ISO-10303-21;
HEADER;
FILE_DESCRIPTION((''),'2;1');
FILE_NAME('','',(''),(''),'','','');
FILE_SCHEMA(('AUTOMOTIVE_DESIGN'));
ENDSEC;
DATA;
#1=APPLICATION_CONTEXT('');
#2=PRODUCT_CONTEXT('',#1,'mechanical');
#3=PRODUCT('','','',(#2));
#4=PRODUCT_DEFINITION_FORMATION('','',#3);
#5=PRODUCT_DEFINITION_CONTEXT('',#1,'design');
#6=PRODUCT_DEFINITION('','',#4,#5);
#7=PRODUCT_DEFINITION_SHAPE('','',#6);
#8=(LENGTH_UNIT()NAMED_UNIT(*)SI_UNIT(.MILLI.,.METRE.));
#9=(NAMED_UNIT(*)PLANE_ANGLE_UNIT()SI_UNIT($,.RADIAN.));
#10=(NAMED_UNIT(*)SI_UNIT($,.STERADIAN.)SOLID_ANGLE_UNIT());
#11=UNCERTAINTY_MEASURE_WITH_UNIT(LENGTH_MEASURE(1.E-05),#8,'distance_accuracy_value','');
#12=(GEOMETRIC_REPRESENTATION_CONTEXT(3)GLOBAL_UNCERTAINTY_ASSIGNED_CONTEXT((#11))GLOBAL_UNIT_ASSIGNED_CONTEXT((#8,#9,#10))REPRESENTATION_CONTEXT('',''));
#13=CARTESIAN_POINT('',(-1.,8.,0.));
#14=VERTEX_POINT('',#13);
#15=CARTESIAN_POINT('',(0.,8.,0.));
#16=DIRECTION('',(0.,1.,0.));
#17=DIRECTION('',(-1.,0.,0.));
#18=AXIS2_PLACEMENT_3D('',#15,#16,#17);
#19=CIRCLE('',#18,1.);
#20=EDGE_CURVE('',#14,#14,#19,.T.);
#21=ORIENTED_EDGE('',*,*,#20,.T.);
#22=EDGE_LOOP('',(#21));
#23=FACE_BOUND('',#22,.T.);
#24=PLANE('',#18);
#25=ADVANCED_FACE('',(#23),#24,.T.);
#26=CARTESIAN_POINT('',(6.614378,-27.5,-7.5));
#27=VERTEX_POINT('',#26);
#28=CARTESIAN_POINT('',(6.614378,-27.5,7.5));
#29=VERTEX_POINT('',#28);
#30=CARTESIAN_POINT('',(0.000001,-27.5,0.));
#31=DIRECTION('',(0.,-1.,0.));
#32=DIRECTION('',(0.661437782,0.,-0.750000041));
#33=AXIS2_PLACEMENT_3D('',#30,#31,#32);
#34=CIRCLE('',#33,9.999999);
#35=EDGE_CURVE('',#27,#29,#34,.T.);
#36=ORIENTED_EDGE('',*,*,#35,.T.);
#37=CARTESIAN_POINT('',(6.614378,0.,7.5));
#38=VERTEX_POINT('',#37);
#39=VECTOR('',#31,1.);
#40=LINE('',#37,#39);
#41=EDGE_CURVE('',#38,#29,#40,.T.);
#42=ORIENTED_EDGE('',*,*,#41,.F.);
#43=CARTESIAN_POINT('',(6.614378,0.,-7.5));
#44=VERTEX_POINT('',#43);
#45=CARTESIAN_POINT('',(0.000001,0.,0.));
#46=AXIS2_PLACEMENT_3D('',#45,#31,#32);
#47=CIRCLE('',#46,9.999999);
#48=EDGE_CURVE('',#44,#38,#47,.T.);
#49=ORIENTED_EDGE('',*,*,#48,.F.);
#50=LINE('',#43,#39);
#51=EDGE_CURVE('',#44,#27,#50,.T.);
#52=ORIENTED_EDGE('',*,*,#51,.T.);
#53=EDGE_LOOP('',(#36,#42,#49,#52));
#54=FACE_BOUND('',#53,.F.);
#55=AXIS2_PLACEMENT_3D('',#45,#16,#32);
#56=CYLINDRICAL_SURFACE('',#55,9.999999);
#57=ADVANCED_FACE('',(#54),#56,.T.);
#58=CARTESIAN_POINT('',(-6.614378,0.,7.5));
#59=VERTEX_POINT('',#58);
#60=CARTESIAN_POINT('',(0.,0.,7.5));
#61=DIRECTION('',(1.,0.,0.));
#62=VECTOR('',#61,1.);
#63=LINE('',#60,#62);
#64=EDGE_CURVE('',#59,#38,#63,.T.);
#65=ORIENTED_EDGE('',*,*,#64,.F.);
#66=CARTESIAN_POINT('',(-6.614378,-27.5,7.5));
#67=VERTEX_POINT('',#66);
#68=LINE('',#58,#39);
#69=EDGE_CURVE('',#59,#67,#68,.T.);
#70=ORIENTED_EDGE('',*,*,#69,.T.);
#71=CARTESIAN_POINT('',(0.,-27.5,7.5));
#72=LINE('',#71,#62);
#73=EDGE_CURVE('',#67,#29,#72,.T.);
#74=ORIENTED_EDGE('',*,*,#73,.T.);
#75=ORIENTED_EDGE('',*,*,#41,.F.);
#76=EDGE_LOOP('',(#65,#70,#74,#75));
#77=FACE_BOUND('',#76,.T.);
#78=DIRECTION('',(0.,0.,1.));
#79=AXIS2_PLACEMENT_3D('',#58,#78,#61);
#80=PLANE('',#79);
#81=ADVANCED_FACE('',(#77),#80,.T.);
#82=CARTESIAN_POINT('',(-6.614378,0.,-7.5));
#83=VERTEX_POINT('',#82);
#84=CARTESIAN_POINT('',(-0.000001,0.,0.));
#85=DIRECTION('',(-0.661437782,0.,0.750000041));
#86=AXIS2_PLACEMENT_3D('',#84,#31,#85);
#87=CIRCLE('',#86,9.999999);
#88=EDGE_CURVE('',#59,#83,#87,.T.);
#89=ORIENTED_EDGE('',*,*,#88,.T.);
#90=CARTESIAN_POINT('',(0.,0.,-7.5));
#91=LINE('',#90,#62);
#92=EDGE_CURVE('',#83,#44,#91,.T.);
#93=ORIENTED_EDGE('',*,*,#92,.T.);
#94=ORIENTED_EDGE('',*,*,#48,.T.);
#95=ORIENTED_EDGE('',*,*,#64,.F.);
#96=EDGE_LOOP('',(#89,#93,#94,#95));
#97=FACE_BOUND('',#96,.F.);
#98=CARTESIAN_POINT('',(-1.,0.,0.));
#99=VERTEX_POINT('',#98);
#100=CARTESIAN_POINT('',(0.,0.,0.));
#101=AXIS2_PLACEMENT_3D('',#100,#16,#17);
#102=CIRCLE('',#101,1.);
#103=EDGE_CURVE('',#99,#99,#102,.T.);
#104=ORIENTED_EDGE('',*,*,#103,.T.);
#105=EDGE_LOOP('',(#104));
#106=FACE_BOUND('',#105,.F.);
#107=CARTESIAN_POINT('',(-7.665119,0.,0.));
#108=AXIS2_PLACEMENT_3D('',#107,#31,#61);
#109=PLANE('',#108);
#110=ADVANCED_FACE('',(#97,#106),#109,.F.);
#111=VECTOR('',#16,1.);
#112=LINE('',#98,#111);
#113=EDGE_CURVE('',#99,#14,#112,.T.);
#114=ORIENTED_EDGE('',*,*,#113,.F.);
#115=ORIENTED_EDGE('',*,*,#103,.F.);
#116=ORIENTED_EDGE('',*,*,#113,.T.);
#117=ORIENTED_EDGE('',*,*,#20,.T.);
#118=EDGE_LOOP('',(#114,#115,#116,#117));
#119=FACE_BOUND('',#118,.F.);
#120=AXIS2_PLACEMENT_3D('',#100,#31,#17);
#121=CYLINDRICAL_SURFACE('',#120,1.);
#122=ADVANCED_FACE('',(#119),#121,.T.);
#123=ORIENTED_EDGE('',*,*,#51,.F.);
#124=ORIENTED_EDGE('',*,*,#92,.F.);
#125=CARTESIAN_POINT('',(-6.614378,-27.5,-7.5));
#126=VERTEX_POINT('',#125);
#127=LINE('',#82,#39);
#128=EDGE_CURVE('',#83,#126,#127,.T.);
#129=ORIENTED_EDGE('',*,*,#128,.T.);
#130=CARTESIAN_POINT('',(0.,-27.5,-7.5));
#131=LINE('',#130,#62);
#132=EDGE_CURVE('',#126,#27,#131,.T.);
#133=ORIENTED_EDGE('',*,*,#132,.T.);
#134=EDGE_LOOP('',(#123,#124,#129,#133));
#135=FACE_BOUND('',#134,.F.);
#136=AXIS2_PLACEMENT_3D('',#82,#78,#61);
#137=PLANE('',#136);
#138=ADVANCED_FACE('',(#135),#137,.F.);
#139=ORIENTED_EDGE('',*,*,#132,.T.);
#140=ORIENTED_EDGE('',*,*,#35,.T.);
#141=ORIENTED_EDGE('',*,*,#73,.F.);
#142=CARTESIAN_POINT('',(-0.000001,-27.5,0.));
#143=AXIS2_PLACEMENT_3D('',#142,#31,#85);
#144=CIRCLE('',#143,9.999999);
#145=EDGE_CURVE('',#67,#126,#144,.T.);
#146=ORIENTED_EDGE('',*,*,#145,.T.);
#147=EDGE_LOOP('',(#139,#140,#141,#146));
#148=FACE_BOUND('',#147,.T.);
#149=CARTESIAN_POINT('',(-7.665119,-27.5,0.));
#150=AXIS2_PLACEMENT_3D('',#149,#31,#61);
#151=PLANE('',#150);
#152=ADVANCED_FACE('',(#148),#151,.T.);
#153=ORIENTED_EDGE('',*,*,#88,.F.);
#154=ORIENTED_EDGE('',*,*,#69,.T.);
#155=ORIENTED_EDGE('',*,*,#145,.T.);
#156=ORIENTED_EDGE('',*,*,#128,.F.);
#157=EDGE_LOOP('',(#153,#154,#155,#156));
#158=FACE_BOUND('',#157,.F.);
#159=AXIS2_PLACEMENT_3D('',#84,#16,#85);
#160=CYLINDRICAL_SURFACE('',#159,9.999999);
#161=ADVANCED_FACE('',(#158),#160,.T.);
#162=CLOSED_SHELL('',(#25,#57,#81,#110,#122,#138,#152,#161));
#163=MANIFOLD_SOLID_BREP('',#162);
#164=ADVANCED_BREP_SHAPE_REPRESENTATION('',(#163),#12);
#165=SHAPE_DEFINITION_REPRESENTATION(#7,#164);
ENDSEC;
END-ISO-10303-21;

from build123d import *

# Parameters (mm, degrees)
F0_W     = 13.228756
F0_H     = 15
F1_DEPTH = 27.5
F2_R     = 1
F3_DEPTH = 8


with BuildPart() as f1:
    # F0 (on Front) → F1 (new body)
    with BuildSketch(Plane.XZ):
        with BuildLine():
            Line((-6.614378, -7.5), (-6.614378, 7.5))
            ThreePointArc((-6.614378, 7.5), (-10, 0), (-6.614378, -7.5))
        make_face()
        Rectangle(F0_W, F0_H)
        with BuildLine():
            ThreePointArc((6.614378, -7.5), (10, 0), (6.614378, 7.5))
            Line((6.614378, 7.5), (6.614378, -7.5))
        make_face()
    extrude(amount=F1_DEPTH)

    # F2 (on face) → F3 (join)
    with BuildSketch(Plane(origin=(0, 0, 0), x_dir=(-1, 0, 0), z_dir=(0, 1, 0))):
        Circle(F2_R)
    extrude(amount=F3_DEPTH)


solid = f1.part
